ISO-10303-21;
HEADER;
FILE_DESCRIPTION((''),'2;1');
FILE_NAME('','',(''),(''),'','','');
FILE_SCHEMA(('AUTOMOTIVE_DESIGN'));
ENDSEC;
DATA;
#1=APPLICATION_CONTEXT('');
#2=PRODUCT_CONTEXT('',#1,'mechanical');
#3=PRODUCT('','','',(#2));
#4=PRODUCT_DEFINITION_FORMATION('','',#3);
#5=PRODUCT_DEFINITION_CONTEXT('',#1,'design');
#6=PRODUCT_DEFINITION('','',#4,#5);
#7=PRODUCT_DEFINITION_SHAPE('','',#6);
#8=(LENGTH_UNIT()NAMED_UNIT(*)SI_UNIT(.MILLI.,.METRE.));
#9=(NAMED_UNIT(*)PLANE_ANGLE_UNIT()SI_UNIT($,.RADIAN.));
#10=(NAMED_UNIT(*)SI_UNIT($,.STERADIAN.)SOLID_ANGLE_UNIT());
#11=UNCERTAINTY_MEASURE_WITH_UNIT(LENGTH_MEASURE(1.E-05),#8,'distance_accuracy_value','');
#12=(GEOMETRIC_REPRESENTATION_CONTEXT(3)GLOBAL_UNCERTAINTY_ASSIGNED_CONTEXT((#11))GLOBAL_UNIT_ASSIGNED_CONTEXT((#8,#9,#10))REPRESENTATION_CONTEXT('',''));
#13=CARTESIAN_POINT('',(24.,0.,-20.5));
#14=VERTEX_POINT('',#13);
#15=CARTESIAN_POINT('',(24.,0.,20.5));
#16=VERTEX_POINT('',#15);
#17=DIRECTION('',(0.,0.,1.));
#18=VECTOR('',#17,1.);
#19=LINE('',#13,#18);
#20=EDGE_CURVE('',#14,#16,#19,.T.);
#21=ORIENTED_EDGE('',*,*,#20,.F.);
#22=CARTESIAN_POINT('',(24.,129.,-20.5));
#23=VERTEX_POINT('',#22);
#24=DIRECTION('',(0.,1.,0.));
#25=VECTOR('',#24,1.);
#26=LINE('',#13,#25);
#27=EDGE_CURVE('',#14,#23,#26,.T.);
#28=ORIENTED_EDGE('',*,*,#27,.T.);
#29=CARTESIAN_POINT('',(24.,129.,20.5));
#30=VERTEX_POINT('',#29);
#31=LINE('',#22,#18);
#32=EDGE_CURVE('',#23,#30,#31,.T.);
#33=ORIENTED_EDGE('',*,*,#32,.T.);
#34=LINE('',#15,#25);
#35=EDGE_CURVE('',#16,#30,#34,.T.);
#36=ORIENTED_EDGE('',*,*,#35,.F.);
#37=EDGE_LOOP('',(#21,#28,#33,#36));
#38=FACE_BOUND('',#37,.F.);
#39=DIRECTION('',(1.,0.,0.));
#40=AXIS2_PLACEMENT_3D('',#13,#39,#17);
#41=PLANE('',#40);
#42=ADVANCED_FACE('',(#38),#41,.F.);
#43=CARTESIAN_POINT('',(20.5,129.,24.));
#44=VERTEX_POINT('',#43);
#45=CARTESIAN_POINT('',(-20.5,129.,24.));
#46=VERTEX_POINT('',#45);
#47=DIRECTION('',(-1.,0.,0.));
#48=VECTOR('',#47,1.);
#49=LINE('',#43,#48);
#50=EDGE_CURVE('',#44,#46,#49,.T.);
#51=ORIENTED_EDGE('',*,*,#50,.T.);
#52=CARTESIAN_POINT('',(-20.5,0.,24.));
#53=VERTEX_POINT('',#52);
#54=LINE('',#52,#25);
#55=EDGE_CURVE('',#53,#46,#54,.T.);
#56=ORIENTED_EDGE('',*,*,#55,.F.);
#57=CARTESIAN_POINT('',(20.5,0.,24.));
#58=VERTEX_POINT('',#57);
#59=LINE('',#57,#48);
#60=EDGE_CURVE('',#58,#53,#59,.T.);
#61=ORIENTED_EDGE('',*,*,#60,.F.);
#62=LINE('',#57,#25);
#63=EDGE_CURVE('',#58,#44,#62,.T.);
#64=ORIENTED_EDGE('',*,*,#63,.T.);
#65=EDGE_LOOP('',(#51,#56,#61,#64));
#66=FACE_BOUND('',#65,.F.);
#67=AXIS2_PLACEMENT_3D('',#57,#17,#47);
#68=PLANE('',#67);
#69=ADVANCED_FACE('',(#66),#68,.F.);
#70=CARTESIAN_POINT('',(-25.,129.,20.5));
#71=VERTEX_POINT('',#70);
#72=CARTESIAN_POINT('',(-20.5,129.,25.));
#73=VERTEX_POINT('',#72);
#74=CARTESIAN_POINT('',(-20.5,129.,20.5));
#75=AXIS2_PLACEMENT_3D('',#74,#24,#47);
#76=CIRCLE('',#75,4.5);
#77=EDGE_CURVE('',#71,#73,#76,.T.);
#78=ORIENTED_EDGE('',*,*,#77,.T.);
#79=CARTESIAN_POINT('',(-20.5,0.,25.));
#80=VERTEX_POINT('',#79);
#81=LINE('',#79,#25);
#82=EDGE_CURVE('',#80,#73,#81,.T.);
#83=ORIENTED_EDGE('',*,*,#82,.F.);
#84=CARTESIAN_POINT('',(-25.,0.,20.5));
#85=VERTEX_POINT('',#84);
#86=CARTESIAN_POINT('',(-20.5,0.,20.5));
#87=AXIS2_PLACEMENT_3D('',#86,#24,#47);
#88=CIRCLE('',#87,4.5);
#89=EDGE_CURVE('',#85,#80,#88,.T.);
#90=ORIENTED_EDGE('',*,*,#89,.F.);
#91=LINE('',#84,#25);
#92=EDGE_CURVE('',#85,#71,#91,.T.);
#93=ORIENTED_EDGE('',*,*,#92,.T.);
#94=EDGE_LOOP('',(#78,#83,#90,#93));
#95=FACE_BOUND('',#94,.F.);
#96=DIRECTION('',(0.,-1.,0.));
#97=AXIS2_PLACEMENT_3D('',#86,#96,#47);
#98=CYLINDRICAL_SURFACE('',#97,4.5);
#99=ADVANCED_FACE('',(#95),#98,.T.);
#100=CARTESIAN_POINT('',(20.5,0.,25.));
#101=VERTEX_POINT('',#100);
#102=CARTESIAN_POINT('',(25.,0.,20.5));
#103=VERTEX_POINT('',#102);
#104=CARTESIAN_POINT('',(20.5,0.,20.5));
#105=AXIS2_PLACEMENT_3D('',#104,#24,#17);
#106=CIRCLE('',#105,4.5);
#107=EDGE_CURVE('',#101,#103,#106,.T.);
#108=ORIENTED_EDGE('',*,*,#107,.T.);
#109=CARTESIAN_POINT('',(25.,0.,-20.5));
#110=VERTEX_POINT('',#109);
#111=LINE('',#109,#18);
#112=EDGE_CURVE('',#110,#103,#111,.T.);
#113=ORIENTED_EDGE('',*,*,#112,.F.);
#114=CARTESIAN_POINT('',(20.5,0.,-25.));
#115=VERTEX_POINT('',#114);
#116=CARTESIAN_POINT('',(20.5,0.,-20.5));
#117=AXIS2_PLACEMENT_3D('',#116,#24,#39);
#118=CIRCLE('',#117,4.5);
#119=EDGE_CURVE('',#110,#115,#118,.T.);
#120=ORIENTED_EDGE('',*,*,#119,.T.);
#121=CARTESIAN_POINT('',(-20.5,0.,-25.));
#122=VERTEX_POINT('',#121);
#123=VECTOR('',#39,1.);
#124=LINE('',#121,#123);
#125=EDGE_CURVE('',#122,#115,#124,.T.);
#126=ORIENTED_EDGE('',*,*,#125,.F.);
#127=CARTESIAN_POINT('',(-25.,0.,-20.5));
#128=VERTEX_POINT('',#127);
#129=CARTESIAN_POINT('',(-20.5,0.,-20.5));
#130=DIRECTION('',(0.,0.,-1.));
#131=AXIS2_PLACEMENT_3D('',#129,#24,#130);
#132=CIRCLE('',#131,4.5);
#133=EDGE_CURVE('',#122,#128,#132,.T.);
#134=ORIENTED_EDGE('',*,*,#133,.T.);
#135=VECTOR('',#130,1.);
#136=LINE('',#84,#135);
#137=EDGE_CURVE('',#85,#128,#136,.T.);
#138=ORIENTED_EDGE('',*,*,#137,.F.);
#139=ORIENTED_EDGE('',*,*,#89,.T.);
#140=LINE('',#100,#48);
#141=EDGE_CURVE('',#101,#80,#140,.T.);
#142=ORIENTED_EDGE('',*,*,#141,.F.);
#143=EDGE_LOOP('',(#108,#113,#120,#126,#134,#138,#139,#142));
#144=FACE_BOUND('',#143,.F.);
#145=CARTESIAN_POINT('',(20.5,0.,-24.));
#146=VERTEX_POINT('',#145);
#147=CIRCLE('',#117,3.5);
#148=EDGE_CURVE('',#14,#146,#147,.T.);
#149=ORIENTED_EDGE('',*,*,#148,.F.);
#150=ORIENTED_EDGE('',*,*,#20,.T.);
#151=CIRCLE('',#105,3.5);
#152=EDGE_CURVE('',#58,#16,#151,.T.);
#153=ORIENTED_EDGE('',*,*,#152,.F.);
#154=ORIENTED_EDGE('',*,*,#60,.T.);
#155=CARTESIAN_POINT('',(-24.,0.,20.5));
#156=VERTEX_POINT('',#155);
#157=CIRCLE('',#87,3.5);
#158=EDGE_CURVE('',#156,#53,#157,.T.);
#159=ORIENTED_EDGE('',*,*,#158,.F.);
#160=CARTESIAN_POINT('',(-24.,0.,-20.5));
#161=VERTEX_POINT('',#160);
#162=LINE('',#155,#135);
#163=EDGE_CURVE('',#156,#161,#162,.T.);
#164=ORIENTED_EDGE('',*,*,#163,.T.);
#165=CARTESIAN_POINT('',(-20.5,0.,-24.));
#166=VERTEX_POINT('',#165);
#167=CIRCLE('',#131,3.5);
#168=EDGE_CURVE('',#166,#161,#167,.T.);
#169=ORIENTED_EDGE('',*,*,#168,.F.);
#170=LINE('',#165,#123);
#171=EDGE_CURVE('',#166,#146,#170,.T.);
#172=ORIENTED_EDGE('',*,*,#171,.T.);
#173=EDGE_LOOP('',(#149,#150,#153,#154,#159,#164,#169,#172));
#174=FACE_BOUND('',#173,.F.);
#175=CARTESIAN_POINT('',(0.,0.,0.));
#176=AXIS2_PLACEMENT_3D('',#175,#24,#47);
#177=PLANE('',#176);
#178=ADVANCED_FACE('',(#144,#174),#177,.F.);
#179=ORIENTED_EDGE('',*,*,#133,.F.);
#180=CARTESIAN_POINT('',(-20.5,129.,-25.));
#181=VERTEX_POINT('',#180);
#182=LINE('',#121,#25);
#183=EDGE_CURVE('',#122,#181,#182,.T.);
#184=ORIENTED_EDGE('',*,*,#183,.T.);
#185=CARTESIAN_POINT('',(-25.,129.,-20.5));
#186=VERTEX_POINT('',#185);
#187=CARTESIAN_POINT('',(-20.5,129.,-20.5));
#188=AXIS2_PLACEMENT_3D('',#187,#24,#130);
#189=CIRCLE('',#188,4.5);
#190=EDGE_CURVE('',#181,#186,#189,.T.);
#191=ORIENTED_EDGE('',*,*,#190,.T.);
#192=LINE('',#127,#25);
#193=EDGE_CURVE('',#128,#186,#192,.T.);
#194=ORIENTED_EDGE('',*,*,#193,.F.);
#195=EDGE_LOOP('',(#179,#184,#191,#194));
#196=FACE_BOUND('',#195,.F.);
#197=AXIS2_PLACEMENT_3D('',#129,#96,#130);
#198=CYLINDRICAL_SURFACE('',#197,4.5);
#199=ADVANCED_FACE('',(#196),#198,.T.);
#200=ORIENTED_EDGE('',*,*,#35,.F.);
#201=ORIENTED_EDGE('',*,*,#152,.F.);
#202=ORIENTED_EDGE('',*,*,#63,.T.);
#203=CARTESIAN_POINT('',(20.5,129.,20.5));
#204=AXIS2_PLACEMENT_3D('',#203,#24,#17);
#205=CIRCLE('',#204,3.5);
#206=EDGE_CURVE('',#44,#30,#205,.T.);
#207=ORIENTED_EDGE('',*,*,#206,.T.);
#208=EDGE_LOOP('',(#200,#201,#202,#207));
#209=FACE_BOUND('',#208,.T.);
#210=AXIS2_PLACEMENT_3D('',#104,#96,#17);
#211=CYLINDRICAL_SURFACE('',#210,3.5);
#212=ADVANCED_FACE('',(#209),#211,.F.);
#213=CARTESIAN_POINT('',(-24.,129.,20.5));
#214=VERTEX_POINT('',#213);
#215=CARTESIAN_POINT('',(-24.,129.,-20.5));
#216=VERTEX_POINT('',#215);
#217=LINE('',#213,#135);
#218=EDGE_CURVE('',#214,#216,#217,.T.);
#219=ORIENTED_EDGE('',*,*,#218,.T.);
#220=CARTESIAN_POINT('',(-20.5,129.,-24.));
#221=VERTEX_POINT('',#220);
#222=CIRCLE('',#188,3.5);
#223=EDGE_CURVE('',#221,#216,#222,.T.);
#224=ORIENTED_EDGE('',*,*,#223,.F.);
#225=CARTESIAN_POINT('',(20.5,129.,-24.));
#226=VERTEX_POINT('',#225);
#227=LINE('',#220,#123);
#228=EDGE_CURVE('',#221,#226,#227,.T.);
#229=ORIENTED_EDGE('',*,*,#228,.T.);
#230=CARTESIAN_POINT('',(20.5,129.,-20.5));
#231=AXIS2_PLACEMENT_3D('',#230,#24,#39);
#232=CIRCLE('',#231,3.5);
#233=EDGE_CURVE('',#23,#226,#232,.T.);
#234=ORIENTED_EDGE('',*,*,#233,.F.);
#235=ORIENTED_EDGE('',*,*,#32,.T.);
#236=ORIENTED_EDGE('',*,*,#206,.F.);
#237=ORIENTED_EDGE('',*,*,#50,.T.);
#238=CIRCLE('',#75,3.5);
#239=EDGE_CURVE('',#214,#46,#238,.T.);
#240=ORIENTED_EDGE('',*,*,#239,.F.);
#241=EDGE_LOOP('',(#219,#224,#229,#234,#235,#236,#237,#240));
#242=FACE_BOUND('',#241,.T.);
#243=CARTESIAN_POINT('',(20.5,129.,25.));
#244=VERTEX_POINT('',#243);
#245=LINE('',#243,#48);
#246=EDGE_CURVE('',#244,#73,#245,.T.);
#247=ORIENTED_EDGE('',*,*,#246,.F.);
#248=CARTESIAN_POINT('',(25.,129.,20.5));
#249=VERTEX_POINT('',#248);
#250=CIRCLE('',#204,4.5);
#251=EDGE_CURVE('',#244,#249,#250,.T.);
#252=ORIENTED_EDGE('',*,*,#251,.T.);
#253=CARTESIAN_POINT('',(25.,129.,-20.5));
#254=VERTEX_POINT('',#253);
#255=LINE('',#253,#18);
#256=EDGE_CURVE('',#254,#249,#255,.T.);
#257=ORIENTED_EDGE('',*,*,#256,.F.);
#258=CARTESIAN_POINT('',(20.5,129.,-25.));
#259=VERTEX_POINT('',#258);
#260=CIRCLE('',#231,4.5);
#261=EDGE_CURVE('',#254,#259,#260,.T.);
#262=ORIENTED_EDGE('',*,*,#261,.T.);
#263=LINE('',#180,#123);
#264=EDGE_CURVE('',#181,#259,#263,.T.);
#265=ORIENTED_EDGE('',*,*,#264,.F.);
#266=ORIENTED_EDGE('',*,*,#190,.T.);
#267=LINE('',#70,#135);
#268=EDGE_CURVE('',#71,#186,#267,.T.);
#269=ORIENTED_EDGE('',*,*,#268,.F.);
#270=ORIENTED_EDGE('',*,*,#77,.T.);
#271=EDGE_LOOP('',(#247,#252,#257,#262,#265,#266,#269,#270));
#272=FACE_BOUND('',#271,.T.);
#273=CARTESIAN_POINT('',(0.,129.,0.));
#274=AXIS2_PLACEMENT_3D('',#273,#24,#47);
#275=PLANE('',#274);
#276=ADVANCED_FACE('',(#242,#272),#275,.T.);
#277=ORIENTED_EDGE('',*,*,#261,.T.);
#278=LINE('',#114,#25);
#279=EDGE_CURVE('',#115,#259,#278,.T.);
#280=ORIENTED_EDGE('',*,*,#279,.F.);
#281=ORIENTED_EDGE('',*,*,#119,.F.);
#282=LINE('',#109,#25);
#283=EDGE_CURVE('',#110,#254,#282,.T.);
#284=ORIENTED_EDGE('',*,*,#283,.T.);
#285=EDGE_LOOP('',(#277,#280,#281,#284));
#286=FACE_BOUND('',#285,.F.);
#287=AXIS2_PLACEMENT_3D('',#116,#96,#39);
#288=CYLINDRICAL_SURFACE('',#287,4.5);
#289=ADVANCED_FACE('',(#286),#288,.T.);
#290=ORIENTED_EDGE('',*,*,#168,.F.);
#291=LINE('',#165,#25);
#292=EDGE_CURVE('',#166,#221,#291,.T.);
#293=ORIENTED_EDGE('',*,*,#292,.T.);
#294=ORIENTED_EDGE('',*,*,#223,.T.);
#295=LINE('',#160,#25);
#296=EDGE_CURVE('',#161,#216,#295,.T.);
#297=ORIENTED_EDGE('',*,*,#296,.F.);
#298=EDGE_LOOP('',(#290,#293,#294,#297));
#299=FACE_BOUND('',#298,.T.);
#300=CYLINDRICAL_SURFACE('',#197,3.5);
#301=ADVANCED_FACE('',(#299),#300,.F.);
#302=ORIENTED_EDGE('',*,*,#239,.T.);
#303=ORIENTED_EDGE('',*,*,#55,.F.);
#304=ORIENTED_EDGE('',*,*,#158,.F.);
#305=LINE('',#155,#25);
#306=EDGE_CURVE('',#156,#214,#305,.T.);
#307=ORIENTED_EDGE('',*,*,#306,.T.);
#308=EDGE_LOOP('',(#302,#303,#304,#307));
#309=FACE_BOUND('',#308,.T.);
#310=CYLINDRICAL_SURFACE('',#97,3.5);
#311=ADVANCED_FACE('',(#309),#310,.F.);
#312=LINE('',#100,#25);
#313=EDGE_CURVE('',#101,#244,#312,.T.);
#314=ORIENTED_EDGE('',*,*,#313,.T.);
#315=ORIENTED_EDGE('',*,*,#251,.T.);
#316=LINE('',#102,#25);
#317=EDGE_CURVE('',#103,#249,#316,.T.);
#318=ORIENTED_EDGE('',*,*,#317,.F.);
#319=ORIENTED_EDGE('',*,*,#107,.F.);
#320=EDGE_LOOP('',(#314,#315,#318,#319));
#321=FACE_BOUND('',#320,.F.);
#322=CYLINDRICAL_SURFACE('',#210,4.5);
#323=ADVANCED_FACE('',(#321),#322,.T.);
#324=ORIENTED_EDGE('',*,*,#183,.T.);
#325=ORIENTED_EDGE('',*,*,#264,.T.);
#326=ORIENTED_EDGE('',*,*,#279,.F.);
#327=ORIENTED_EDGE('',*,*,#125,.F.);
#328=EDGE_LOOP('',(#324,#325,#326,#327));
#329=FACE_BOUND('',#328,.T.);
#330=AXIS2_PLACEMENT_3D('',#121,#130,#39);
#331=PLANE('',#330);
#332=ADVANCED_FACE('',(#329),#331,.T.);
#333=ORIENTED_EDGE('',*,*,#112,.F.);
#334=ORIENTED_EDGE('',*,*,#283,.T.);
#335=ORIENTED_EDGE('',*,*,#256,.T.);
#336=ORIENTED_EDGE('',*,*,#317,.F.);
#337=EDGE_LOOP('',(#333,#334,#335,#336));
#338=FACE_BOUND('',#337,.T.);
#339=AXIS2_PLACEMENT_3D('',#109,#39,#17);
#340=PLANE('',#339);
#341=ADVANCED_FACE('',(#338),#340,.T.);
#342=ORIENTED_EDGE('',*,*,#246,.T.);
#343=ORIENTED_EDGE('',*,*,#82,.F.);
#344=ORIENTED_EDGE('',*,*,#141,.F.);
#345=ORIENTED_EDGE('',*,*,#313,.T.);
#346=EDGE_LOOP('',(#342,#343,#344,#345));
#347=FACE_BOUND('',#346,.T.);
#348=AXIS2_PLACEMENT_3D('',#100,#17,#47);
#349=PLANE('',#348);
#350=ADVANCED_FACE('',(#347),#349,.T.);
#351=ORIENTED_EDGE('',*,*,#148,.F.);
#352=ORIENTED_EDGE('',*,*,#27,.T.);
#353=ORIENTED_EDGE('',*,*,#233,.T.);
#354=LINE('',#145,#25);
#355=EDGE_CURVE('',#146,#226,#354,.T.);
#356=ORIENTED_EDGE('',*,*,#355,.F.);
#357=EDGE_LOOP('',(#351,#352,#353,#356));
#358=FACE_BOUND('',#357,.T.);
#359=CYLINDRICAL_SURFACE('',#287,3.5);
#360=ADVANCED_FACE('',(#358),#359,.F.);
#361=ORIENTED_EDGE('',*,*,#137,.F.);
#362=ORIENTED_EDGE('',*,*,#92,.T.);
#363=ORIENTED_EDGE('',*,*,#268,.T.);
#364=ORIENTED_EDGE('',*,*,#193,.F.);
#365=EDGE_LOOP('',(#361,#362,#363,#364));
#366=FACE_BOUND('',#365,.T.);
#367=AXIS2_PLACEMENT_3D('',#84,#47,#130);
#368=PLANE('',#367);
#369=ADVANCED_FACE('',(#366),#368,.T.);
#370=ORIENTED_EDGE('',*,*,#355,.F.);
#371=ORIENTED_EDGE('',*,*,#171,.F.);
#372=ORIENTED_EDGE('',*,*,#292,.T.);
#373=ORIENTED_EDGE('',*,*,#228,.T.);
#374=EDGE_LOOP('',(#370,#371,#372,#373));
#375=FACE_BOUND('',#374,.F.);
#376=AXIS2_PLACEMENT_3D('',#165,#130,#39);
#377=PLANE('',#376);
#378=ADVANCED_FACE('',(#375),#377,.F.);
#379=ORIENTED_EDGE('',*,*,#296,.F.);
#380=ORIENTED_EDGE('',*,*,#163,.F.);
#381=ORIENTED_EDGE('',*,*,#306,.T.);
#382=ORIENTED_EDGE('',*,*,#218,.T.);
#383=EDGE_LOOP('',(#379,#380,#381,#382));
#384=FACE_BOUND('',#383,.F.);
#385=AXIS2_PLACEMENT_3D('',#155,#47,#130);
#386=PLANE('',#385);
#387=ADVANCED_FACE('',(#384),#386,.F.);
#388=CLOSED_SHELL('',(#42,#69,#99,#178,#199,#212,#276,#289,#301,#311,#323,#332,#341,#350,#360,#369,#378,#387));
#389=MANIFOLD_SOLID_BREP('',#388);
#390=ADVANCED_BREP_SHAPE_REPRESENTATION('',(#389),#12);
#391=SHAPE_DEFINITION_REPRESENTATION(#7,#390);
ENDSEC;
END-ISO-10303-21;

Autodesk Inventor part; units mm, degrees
ref_plane "YZ Plane" through (0, 0, 0) normal (1, 0, 0) x (0, 1, 0)
ref_plane "XZ Plane" through (0, 0, 0) normal (0, 1, 0) x (-1, 0, 0)
sketch "Эскиз1" plane through (0, 0, 0) normal (0, 1, 0) x (-1, 0, 0)
  line L0 (-25, -20.5) -> (-25, 20.5)
  line L1 (-20.5, 25) -> (20.5, 25)
  line L2 (25, 20.5) -> (25, -20.5)
  line L3 (20.5, -25) -> (-20.5, -25)
  arc A0 (-25, -20.5) -> (-20.5, -25) centre (-20.5, -20.5) ccw
  arc A1 (-20.5, 25) -> (-25, 20.5) centre (-20.5, 20.5) ccw
  arc A2 (25, 20.5) -> (20.5, 25) centre (20.5, 20.5) ccw
  arc A3 (20.5, -25) -> (25, -20.5) centre (20.5, -20.5) ccw
  arc A4 (-20.5, 22) -> (-22, 20.5) centre (-20.5, 20.5) ccw
  line L4 (-20.5, 22) -> (20.5, 22)
  arc A5 (22, 20.5) -> (20.5, 22) centre (20.5, 20.5) ccw
  line L5 (22, 20.5) -> (22, -20.5)
  arc A6 (20.5, -22) -> (22, -20.5) centre (20.5, -20.5) ccw
  line L6 (20.5, -22) -> (-20.5, -22)
  arc A7 (-22, -20.5) -> (-20.5, -22) centre (-20.5, -20.5) ccw
  line L7 (-22, -20.5) -> (-22, 20.5)
  line L8 (0, 36.3048) -> (0, -36.3048) construction
  line L9 (-36.3048, 0) -> (36.3048, 0) construction
  arc A8 (20.5, -26) -> (26, -20.5) centre (20.5, -20.5) ccw
  line L10 (20.5, -26) -> (-20.5, -26)
  arc A9 (-26, -20.5) -> (-20.5, -26) centre (-20.5, -20.5) ccw
  line L11 (-26, -20.5) -> (-26, 20.5)
  arc A10 (-20.5, 26) -> (-26, 20.5) centre (-20.5, 20.5) ccw
  line L12 (-20.5, 26) -> (20.5, 26)
  arc A11 (26, 20.5) -> (20.5, 26) centre (20.5, 20.5) ccw
  line L13 (26, 20.5) -> (26, -20.5)
  arc A12 (20.5, -24) -> (24, -20.5) centre (20.5, -20.5) ccw
  line L14 (20.5, -24) -> (-20.5, -24)
  arc A13 (-24, -20.5) -> (-20.5, -24) centre (-20.5, -20.5) ccw
  line L15 (-24, -20.5) -> (-24, 20.5)
  arc A14 (-20.5, 24) -> (-24, 20.5) centre (-20.5, 20.5) ccw
  line L16 (-20.5, 24) -> (20.5, 24)
  arc A15 (24, 20.5) -> (20.5, 24) centre (20.5, 20.5) ccw
  line L17 (24, 20.5) -> (24, -20.5)
  point P0 (0, 0)
  dimension "d0" = 4.5
  dimension "d1" = 50
  dimension "d2" = 50
  dimension "d3" = 3
  dimension "d4" = 25
  dimension "d5" = 25
  dimension "d10" = 1
  dimension "d13" = 1
extrude "Выдавливание1" add sketch "Эскиз1" along normal blind 129 contours L0 A1 L1 A2 L2 A3 L3 A0
ref_plane "РабПлоскость1" through (0, 104, 0) normal (0, 1, 0) x (1, 0, 0)
split_face "Разделение1"
equation "\"d0\" = d6"
equation "\"d1\" = d7"
equation "\"d2\" = d8"
equation "\"d3\" = d9"
equation "\"d4\" = 0.5 * d1"
equation "\"d5\" = 0.5 * d2"
equation "\"d6\" = 1.5 * d9"
equation "\"d7\" = 50"
equation "\"d8\" = 50"
equation "\"d9\" = 3"
properties part number "Fiberglass_isolation" material "Стекловолоконная обертывающая изоляция"
